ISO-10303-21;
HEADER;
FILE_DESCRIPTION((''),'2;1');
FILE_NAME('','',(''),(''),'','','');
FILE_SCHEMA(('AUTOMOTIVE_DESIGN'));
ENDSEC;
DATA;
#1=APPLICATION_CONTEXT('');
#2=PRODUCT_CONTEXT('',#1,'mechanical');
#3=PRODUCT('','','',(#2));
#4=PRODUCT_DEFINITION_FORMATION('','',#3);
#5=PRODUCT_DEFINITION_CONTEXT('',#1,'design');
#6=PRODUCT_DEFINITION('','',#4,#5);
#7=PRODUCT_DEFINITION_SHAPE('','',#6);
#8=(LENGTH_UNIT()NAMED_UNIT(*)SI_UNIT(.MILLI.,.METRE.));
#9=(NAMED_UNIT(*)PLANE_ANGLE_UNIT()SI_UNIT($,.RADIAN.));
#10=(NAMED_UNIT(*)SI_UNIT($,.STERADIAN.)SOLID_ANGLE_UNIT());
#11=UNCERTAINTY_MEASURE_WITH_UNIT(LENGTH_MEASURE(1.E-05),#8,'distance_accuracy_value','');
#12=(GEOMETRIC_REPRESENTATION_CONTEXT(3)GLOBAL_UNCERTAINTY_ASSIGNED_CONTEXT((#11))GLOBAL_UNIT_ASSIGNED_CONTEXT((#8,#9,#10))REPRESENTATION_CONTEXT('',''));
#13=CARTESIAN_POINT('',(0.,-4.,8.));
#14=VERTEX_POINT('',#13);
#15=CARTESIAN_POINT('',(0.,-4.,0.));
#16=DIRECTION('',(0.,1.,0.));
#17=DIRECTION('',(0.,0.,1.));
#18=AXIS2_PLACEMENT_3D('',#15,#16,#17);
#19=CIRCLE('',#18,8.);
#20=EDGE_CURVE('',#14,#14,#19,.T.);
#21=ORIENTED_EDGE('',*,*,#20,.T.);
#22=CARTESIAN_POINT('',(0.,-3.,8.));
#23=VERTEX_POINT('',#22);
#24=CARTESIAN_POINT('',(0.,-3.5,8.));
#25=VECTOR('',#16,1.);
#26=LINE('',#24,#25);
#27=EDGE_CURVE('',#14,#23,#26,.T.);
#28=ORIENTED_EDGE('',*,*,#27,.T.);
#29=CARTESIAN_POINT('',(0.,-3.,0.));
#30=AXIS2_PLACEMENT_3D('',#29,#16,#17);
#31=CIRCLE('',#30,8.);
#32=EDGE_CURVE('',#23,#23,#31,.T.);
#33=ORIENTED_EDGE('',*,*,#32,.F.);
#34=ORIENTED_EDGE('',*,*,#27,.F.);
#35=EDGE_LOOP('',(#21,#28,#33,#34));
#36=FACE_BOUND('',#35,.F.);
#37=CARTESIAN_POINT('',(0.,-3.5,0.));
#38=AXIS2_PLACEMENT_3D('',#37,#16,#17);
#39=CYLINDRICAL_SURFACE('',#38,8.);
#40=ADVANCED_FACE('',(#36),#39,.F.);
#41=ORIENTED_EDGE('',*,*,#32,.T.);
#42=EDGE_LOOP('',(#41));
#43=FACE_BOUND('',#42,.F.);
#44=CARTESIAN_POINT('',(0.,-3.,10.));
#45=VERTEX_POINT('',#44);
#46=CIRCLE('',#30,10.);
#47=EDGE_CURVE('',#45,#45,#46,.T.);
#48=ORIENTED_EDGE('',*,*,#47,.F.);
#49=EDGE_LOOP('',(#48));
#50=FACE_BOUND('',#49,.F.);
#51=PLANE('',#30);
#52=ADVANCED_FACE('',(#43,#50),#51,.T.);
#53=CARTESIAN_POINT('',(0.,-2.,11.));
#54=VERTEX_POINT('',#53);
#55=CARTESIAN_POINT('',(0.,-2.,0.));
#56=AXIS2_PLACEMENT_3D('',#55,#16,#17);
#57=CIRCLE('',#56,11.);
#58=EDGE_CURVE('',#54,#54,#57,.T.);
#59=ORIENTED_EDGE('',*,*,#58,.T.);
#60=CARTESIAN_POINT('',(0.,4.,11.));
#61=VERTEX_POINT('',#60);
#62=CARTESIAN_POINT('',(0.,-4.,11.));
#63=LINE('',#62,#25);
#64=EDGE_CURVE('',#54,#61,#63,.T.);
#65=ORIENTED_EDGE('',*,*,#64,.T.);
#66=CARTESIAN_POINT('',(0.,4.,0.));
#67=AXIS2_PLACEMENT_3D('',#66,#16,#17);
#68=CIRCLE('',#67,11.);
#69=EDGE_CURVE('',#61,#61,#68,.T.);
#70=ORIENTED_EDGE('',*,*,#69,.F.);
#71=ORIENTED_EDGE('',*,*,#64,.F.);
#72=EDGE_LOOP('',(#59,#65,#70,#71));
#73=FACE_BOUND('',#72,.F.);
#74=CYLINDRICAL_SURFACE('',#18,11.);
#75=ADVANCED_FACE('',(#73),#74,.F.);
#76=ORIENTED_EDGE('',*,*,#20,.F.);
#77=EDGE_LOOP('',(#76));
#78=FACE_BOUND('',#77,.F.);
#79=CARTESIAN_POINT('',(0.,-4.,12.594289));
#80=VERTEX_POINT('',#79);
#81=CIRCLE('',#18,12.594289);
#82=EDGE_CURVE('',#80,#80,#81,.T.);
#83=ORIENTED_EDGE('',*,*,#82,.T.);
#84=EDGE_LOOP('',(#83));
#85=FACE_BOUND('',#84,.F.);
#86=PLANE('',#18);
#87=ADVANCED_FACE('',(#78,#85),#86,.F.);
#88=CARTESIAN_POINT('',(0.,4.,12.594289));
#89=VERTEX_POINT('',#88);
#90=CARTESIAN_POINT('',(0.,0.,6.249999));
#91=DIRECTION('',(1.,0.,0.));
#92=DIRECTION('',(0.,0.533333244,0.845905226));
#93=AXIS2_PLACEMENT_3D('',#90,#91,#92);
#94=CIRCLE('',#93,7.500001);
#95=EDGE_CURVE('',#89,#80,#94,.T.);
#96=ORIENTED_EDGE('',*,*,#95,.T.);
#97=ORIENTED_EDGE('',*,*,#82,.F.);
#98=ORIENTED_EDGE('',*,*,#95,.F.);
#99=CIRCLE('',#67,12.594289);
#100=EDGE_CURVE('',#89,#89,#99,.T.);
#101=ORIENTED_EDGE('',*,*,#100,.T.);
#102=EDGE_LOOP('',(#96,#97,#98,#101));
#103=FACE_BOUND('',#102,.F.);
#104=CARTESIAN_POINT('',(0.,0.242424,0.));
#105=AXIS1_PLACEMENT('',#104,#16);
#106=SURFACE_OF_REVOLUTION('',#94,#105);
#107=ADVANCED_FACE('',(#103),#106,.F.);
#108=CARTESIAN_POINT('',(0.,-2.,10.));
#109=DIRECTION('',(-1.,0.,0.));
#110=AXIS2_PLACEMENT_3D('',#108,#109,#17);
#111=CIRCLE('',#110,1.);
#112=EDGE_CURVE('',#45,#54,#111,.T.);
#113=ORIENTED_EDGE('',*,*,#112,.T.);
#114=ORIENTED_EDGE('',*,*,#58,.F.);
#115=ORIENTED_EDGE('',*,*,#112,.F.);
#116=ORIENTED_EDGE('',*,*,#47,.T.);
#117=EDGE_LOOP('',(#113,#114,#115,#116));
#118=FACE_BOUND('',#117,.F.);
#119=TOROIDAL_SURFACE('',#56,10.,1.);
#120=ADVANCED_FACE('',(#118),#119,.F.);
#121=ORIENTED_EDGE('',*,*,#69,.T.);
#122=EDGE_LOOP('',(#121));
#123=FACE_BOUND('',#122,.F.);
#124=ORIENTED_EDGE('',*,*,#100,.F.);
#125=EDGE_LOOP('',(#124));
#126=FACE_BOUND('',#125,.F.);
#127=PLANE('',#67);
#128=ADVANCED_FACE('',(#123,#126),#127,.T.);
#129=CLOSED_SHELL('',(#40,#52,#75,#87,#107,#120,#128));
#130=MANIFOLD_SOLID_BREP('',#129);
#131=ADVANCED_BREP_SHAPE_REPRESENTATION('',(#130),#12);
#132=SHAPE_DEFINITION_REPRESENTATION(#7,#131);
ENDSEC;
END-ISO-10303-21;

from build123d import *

# Parameters (mm, degrees)
F0_W = 1
F0_H = 3
F2_R = 1


with BuildPart() as f1:
    # F0 (on Right) → F1 (revolve)
    with BuildSketch(Plane.YZ):
        with BuildLine():
            Line((-4, 12.594289), (-4, 11))
            Line((-4, 11), (-3, 11))
            Line((-3, 11), (4, 11))
            Line((4, 11), (4, 12.594289))
            ThreePointArc((4, 12.594289), (0, 13.75), (-4, 12.594289))
        make_face()
        with Locations((-3.5, 9.5)):
            Rectangle(F0_W, F0_H)
    revolve(axis=Axis((0, 0.242424, 0), (0, 1, 0)))

    # F2
    f2_edges = [f1.edges().sort_by_distance(p)[0] for p in [
        (0, -3, -11),
    ]]
    fillet(f2_edges, radius=F2_R)


solid = f1.part
